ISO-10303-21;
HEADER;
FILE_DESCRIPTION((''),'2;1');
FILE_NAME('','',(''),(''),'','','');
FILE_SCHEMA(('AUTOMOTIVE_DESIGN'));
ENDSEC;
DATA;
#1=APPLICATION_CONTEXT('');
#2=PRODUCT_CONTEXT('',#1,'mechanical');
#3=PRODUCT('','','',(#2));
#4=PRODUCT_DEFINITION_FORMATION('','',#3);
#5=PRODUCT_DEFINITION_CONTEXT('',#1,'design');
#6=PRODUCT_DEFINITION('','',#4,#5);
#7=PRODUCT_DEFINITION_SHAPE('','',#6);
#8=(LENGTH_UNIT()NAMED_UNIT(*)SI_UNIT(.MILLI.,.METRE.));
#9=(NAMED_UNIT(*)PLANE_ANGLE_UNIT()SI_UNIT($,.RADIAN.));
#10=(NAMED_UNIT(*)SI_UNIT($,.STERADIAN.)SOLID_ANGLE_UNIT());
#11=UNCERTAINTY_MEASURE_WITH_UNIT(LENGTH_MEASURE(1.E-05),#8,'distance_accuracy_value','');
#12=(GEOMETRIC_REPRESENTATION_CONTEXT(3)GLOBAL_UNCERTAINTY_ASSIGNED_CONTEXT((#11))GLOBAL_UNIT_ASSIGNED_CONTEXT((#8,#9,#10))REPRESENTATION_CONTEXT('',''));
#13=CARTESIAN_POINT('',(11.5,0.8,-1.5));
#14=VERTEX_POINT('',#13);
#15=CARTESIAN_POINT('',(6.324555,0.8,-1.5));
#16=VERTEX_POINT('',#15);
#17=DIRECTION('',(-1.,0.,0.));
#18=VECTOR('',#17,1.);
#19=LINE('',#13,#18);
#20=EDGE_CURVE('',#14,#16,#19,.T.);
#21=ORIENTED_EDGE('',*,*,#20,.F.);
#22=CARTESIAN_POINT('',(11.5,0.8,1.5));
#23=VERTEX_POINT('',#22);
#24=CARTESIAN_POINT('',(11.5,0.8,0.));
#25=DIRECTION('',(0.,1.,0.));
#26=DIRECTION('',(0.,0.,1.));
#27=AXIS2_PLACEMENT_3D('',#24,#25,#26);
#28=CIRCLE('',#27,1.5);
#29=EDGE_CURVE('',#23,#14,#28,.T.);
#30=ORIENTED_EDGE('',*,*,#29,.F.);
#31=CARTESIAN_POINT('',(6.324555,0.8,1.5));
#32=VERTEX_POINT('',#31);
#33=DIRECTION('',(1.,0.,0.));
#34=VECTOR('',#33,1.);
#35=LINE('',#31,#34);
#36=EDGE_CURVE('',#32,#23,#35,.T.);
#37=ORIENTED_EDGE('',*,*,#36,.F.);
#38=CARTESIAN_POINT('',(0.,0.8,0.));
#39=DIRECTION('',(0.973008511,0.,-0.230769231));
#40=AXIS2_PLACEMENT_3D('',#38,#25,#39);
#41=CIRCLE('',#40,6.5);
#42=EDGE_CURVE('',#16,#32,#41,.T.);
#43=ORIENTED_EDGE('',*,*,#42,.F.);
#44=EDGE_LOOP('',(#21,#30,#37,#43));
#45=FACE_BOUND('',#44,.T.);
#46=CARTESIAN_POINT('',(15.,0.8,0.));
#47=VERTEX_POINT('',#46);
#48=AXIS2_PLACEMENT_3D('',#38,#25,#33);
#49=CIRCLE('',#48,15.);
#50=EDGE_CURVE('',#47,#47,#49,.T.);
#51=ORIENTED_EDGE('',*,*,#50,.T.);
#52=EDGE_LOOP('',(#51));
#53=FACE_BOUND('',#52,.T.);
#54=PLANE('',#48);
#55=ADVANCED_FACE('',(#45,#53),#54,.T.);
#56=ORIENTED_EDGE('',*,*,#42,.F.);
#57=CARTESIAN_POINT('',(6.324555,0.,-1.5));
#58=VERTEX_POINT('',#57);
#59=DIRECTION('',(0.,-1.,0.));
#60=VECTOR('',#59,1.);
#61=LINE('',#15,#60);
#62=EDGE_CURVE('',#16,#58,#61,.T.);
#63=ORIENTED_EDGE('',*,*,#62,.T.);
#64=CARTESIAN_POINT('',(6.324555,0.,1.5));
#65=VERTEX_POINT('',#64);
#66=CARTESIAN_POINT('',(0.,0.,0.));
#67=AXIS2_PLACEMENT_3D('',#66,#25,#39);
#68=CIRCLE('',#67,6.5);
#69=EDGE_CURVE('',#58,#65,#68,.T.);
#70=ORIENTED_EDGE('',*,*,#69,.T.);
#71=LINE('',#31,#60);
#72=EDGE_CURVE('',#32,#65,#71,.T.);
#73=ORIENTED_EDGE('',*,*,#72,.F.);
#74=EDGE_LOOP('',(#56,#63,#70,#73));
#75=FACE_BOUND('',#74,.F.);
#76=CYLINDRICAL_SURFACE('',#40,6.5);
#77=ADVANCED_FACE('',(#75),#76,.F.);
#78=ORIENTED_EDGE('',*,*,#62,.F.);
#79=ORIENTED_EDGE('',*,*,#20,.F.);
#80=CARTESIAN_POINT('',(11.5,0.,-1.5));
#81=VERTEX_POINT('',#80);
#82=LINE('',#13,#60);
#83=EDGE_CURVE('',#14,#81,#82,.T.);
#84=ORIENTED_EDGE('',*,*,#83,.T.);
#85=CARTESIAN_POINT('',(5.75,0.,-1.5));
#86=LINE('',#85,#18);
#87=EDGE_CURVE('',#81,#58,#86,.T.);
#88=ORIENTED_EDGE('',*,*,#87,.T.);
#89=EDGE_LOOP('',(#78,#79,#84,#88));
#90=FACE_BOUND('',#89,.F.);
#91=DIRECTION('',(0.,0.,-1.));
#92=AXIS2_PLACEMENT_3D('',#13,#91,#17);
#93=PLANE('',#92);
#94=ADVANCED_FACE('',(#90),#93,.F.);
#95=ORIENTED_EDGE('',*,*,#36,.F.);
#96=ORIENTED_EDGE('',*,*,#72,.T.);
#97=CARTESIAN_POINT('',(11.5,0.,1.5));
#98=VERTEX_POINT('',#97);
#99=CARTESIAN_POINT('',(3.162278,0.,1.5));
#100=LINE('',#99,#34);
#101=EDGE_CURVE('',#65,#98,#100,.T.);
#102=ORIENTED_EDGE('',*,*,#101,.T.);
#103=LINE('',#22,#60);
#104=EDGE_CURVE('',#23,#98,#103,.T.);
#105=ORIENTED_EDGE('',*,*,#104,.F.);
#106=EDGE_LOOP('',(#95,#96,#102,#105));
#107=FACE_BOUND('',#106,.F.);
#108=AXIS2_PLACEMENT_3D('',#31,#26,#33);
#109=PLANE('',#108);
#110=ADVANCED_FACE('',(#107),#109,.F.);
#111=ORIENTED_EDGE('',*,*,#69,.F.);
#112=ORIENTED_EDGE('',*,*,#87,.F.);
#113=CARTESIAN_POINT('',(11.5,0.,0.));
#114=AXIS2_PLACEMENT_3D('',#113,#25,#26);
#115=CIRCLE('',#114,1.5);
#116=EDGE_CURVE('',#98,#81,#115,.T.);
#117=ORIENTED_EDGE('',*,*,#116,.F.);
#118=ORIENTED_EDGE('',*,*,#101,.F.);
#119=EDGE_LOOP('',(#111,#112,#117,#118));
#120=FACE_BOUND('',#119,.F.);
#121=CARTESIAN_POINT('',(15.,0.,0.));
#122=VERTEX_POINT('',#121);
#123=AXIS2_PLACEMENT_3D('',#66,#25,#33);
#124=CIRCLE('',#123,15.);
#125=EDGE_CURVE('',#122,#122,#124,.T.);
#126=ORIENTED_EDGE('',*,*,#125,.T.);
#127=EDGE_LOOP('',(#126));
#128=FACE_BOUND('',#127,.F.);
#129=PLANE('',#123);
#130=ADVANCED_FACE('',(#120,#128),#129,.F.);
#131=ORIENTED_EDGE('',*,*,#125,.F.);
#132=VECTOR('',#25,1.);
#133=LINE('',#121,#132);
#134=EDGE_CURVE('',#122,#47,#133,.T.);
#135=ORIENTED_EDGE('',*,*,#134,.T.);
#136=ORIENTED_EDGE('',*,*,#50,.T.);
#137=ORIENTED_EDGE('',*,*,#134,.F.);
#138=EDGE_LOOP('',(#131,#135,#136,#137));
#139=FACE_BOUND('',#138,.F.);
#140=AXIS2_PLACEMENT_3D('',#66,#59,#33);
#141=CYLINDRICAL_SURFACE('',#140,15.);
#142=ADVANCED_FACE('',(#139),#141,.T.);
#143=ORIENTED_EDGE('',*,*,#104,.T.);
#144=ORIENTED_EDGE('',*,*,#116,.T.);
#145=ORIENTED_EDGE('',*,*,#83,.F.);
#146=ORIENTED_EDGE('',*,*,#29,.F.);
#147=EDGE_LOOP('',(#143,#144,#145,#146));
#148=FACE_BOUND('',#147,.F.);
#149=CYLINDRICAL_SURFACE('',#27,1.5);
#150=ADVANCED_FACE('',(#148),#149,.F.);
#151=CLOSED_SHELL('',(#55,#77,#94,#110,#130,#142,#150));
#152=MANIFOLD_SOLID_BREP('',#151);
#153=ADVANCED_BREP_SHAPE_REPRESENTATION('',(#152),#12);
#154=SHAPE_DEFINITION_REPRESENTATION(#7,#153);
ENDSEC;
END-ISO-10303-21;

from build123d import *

# Parameters (mm, degrees)
SKETCH1_R           = 15
BOSS_EXTRUDE1_DEPTH = 0.8
CUT_EXTRUDE1_DEPTH  = 1.8


with BuildPart() as part:
    # Sketch1 → Boss-Extrude1 (new body)
    with BuildSketch(Plane(origin=(0, 0, 0), x_dir=(1, 0, 0), z_dir=(0, 1, 0))):
        Circle(SKETCH1_R)
    extrude(amount=BOSS_EXTRUDE1_DEPTH)

    # Sketch3 → Cut-Extrude1 (cut, through all)
    with BuildSketch(Plane(origin=(0, 0.8, 0), x_dir=(1, 0, 0), z_dir=(0, 1, 0))):
        with BuildLine():
            Line((6.32455532, -1.5), (11.5, -1.5))
            ThreePointArc((11.5, -1.5), (13, 0), (11.5, 1.5))
            Line((11.5, 1.5), (6.32455532, 1.5))
            ThreePointArc((6.32455532, 1.5), (-6.5, 0), (6.32455532, -1.5))
        make_face()
    extrude(amount=-CUT_EXTRUDE1_DEPTH, mode=Mode.SUBTRACT)


solid = part.part
